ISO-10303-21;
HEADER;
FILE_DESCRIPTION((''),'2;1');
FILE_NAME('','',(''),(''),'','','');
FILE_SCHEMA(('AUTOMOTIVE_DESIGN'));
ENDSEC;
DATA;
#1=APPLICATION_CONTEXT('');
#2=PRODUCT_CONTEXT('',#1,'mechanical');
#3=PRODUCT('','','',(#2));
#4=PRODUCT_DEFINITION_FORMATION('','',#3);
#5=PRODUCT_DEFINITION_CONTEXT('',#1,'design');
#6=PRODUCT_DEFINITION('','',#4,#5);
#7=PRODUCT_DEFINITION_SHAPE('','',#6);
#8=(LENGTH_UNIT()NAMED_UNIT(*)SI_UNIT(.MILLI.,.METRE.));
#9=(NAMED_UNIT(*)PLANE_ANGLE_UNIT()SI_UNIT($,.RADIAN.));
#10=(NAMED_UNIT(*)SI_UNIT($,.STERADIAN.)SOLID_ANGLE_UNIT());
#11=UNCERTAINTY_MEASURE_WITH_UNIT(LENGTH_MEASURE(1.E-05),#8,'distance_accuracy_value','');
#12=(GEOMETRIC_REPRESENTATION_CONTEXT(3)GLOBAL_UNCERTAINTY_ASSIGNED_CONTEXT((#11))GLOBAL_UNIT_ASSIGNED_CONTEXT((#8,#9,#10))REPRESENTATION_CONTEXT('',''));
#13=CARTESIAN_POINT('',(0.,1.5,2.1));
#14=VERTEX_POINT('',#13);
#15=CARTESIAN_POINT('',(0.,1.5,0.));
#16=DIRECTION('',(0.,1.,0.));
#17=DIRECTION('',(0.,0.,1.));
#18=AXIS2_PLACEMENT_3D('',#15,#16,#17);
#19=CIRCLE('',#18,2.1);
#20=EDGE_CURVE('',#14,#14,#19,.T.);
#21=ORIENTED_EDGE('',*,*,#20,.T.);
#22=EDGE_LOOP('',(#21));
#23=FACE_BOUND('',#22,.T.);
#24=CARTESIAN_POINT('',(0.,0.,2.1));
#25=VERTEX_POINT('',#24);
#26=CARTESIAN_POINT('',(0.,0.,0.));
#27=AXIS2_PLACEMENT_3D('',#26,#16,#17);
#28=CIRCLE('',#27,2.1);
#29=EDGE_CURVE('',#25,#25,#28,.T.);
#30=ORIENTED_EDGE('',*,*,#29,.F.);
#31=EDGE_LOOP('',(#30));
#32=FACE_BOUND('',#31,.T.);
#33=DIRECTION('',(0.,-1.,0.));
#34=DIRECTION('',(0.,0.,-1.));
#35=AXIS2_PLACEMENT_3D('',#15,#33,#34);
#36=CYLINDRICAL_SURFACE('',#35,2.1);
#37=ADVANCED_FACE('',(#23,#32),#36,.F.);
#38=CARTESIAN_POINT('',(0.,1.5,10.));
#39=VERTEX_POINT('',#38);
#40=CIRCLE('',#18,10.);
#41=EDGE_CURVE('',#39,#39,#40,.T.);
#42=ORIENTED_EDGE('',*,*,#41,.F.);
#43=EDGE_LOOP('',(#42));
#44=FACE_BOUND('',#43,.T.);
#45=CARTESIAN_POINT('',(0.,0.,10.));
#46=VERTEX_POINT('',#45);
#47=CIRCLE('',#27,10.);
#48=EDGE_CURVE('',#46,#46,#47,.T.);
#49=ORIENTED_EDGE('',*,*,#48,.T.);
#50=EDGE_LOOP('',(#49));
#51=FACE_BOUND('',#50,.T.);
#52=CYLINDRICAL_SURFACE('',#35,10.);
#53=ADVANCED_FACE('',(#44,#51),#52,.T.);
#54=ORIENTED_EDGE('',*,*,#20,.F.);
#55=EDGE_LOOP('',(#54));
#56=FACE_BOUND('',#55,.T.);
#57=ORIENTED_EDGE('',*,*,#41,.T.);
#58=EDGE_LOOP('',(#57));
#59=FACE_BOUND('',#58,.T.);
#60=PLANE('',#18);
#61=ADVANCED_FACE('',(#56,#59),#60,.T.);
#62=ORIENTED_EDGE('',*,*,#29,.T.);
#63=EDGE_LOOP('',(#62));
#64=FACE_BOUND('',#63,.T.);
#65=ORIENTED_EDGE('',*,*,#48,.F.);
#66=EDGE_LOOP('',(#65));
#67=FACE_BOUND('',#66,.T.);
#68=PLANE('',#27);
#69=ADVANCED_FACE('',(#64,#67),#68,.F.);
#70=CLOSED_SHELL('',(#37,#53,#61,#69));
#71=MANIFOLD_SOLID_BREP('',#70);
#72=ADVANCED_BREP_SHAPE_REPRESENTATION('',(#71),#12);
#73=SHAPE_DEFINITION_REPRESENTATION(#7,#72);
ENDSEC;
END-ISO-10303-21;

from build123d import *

# Parameters (mm, degrees)
SKETCH1_R           = 10
SKETCH1_R_2         = 2.1
BOSS_EXTRUDE1_DEPTH = 1.5


with BuildPart() as part:
    # Sketch1 → Boss-Extrude1 (new body)
    with BuildSketch(Plane(origin=(0, 0, 0), x_dir=(1, 0, 0), z_dir=(0, 1, 0))):
        with Locations(Location((0, 0, 0), (0, 0, 270))):
            Circle(SKETCH1_R)
        with Locations(Location((0, 0, 0), (0, 0, 270))):
            Circle(SKETCH1_R_2, mode=Mode.SUBTRACT)
    extrude(amount=BOSS_EXTRUDE1_DEPTH)


solid = part.part
